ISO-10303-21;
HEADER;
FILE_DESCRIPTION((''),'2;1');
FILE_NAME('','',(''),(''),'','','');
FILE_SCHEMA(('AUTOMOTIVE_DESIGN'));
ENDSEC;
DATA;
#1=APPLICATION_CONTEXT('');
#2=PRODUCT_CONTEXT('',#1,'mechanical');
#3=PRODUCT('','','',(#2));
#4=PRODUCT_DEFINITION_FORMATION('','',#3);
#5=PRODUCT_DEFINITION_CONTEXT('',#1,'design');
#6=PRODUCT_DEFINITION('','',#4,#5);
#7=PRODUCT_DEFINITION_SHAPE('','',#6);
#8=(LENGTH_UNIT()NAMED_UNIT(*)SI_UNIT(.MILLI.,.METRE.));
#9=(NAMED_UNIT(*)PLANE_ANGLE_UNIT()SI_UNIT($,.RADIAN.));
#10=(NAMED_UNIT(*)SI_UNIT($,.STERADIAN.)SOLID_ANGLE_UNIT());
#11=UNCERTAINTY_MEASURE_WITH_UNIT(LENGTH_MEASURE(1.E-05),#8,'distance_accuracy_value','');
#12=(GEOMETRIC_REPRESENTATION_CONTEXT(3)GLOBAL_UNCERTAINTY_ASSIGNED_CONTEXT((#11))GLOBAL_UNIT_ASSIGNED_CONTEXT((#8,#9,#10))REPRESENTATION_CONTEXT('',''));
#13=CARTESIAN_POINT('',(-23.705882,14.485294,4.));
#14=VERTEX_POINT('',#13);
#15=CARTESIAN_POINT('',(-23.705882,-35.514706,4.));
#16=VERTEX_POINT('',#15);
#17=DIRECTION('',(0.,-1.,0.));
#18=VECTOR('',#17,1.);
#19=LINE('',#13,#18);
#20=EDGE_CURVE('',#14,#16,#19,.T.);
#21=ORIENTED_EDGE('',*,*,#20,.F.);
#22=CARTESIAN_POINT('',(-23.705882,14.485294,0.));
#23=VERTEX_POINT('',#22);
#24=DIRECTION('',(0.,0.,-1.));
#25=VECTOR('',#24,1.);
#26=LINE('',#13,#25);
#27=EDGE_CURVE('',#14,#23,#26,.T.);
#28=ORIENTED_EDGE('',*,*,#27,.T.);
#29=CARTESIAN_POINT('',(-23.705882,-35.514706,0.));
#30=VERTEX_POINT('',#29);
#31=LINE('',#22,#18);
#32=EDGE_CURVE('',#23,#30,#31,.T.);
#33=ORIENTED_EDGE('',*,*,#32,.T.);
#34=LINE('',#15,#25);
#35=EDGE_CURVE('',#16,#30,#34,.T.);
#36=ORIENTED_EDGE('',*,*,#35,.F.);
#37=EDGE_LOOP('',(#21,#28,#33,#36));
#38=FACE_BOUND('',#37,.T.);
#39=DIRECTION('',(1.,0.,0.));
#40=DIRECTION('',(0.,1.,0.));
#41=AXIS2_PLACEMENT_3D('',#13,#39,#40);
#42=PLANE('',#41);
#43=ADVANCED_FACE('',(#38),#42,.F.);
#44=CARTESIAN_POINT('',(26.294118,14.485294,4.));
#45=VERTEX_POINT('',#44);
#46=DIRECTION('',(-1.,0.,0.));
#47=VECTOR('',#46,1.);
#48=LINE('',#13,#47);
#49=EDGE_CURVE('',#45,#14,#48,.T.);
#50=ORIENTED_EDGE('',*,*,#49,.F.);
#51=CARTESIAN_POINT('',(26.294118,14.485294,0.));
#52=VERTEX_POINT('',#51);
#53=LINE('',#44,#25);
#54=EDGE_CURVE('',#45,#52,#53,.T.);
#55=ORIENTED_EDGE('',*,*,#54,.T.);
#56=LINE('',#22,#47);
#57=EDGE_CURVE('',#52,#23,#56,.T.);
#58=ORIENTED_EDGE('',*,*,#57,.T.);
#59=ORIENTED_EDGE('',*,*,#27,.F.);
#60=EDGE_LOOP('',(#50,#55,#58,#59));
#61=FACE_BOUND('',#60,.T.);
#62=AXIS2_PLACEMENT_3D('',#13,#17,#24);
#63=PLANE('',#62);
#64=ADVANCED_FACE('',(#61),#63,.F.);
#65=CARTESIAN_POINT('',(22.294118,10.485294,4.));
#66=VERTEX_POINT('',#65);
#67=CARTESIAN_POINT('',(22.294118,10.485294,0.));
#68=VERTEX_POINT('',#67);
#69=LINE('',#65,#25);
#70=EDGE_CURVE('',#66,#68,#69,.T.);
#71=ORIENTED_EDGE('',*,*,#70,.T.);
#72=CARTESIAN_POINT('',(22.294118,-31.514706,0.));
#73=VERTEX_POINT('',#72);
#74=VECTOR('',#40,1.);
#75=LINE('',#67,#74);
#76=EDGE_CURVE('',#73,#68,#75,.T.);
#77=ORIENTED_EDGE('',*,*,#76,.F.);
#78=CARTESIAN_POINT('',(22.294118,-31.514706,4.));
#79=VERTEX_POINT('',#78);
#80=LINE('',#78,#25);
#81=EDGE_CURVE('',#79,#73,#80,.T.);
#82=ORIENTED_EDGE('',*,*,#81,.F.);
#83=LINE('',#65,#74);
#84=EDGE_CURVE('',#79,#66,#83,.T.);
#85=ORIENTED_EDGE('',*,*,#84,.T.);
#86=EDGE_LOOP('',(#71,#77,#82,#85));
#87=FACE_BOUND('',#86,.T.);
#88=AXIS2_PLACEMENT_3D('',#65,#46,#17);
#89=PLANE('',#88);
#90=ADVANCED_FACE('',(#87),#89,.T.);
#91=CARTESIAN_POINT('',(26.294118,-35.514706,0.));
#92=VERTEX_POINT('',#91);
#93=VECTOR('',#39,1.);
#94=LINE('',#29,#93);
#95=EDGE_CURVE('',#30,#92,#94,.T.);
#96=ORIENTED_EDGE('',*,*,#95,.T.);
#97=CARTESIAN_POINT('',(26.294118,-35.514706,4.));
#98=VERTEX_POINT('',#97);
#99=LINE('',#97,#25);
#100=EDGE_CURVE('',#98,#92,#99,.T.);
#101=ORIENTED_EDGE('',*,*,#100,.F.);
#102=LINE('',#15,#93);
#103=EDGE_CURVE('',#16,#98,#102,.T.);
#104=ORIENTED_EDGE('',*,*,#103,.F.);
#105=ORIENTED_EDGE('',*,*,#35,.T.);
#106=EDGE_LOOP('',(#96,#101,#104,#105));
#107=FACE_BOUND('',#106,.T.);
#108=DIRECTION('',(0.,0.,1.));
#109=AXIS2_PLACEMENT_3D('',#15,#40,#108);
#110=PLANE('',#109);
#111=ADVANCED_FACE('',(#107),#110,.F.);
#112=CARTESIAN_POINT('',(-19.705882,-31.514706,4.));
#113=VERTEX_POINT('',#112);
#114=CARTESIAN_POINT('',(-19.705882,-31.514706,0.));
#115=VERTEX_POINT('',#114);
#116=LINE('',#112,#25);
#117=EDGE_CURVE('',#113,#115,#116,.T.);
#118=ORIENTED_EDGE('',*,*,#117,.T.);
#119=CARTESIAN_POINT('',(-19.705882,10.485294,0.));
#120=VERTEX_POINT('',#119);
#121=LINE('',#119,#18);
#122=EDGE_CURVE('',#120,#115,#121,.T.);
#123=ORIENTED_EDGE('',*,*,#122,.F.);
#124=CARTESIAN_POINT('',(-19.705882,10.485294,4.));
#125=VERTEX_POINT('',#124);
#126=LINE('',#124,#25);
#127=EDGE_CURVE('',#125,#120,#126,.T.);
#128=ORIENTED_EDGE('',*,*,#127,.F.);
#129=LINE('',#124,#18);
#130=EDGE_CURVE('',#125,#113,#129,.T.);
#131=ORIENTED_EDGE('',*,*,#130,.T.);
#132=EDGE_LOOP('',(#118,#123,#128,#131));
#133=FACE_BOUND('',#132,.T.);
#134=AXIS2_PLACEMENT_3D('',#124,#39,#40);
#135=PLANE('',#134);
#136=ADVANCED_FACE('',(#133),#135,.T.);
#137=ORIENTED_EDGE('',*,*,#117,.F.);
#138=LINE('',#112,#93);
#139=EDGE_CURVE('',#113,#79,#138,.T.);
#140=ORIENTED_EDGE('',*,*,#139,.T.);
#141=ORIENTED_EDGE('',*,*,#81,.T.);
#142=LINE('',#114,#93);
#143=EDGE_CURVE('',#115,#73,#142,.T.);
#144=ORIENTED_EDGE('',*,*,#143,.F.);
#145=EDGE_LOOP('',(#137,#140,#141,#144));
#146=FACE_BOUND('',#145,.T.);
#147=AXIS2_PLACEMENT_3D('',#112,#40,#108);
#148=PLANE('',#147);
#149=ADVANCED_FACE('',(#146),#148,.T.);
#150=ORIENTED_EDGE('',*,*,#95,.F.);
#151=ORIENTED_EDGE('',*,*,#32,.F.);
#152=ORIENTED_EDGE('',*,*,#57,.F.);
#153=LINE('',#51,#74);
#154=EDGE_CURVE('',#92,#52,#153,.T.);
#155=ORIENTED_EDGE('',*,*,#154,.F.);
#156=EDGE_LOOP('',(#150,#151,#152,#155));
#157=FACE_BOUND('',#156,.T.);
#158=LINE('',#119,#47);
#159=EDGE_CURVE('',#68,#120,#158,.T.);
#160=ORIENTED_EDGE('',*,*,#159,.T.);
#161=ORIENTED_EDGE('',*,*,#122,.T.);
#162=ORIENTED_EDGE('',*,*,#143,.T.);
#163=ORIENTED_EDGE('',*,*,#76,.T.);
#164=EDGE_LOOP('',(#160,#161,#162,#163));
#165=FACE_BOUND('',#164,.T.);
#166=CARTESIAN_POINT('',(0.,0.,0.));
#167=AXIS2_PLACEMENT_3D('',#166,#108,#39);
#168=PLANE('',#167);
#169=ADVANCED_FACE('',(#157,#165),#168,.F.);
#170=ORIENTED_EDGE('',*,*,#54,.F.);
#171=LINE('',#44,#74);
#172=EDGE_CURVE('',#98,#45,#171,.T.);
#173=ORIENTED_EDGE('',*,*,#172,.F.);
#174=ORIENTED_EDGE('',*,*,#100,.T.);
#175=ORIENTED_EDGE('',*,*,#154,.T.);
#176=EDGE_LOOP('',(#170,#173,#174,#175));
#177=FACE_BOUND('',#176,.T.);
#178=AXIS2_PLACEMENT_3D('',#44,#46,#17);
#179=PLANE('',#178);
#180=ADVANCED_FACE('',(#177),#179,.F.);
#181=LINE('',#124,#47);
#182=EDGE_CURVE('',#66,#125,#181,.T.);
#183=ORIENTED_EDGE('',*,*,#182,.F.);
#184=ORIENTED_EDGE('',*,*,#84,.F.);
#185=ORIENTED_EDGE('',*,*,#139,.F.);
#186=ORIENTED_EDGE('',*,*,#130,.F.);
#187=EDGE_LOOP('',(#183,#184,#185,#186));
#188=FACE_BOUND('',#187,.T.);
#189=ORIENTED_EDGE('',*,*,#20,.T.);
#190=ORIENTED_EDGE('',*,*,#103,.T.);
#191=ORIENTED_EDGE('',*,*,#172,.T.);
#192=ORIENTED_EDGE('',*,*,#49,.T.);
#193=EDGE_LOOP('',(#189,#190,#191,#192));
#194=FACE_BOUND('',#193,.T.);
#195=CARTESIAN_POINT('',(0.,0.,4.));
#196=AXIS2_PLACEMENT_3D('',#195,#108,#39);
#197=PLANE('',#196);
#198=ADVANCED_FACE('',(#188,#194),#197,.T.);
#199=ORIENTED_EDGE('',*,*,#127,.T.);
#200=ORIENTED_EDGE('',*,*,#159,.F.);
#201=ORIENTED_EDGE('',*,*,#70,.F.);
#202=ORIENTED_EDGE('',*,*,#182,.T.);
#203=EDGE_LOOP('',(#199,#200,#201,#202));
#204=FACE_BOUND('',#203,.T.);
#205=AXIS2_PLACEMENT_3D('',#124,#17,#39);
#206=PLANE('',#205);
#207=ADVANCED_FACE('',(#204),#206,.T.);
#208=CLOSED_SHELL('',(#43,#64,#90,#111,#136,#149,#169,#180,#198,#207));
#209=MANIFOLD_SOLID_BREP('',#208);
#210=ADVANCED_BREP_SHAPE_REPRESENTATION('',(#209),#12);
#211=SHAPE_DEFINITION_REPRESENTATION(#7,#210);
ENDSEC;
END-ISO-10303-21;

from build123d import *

# Parameters (mm, degrees)
SKETCH1_W           = 50
SKETCH1_H           = 50
SKETCH1_W_2         = 42
SKETCH1_H_2         = 42
BOSS_EXTRUDE1_DEPTH = 4


with BuildPart() as part:
    # Sketch1 → Boss-Extrude1 (new body)
    with BuildSketch(Plane.XY):
        with Locations((1.294117647, -10.514705882)):
            Rectangle(SKETCH1_W, SKETCH1_H)
        with Locations((1.294117647, -10.514705882)):
            Rectangle(SKETCH1_W_2, SKETCH1_H_2, mode=Mode.SUBTRACT)
    extrude(amount=BOSS_EXTRUDE1_DEPTH)


solid = part.part
